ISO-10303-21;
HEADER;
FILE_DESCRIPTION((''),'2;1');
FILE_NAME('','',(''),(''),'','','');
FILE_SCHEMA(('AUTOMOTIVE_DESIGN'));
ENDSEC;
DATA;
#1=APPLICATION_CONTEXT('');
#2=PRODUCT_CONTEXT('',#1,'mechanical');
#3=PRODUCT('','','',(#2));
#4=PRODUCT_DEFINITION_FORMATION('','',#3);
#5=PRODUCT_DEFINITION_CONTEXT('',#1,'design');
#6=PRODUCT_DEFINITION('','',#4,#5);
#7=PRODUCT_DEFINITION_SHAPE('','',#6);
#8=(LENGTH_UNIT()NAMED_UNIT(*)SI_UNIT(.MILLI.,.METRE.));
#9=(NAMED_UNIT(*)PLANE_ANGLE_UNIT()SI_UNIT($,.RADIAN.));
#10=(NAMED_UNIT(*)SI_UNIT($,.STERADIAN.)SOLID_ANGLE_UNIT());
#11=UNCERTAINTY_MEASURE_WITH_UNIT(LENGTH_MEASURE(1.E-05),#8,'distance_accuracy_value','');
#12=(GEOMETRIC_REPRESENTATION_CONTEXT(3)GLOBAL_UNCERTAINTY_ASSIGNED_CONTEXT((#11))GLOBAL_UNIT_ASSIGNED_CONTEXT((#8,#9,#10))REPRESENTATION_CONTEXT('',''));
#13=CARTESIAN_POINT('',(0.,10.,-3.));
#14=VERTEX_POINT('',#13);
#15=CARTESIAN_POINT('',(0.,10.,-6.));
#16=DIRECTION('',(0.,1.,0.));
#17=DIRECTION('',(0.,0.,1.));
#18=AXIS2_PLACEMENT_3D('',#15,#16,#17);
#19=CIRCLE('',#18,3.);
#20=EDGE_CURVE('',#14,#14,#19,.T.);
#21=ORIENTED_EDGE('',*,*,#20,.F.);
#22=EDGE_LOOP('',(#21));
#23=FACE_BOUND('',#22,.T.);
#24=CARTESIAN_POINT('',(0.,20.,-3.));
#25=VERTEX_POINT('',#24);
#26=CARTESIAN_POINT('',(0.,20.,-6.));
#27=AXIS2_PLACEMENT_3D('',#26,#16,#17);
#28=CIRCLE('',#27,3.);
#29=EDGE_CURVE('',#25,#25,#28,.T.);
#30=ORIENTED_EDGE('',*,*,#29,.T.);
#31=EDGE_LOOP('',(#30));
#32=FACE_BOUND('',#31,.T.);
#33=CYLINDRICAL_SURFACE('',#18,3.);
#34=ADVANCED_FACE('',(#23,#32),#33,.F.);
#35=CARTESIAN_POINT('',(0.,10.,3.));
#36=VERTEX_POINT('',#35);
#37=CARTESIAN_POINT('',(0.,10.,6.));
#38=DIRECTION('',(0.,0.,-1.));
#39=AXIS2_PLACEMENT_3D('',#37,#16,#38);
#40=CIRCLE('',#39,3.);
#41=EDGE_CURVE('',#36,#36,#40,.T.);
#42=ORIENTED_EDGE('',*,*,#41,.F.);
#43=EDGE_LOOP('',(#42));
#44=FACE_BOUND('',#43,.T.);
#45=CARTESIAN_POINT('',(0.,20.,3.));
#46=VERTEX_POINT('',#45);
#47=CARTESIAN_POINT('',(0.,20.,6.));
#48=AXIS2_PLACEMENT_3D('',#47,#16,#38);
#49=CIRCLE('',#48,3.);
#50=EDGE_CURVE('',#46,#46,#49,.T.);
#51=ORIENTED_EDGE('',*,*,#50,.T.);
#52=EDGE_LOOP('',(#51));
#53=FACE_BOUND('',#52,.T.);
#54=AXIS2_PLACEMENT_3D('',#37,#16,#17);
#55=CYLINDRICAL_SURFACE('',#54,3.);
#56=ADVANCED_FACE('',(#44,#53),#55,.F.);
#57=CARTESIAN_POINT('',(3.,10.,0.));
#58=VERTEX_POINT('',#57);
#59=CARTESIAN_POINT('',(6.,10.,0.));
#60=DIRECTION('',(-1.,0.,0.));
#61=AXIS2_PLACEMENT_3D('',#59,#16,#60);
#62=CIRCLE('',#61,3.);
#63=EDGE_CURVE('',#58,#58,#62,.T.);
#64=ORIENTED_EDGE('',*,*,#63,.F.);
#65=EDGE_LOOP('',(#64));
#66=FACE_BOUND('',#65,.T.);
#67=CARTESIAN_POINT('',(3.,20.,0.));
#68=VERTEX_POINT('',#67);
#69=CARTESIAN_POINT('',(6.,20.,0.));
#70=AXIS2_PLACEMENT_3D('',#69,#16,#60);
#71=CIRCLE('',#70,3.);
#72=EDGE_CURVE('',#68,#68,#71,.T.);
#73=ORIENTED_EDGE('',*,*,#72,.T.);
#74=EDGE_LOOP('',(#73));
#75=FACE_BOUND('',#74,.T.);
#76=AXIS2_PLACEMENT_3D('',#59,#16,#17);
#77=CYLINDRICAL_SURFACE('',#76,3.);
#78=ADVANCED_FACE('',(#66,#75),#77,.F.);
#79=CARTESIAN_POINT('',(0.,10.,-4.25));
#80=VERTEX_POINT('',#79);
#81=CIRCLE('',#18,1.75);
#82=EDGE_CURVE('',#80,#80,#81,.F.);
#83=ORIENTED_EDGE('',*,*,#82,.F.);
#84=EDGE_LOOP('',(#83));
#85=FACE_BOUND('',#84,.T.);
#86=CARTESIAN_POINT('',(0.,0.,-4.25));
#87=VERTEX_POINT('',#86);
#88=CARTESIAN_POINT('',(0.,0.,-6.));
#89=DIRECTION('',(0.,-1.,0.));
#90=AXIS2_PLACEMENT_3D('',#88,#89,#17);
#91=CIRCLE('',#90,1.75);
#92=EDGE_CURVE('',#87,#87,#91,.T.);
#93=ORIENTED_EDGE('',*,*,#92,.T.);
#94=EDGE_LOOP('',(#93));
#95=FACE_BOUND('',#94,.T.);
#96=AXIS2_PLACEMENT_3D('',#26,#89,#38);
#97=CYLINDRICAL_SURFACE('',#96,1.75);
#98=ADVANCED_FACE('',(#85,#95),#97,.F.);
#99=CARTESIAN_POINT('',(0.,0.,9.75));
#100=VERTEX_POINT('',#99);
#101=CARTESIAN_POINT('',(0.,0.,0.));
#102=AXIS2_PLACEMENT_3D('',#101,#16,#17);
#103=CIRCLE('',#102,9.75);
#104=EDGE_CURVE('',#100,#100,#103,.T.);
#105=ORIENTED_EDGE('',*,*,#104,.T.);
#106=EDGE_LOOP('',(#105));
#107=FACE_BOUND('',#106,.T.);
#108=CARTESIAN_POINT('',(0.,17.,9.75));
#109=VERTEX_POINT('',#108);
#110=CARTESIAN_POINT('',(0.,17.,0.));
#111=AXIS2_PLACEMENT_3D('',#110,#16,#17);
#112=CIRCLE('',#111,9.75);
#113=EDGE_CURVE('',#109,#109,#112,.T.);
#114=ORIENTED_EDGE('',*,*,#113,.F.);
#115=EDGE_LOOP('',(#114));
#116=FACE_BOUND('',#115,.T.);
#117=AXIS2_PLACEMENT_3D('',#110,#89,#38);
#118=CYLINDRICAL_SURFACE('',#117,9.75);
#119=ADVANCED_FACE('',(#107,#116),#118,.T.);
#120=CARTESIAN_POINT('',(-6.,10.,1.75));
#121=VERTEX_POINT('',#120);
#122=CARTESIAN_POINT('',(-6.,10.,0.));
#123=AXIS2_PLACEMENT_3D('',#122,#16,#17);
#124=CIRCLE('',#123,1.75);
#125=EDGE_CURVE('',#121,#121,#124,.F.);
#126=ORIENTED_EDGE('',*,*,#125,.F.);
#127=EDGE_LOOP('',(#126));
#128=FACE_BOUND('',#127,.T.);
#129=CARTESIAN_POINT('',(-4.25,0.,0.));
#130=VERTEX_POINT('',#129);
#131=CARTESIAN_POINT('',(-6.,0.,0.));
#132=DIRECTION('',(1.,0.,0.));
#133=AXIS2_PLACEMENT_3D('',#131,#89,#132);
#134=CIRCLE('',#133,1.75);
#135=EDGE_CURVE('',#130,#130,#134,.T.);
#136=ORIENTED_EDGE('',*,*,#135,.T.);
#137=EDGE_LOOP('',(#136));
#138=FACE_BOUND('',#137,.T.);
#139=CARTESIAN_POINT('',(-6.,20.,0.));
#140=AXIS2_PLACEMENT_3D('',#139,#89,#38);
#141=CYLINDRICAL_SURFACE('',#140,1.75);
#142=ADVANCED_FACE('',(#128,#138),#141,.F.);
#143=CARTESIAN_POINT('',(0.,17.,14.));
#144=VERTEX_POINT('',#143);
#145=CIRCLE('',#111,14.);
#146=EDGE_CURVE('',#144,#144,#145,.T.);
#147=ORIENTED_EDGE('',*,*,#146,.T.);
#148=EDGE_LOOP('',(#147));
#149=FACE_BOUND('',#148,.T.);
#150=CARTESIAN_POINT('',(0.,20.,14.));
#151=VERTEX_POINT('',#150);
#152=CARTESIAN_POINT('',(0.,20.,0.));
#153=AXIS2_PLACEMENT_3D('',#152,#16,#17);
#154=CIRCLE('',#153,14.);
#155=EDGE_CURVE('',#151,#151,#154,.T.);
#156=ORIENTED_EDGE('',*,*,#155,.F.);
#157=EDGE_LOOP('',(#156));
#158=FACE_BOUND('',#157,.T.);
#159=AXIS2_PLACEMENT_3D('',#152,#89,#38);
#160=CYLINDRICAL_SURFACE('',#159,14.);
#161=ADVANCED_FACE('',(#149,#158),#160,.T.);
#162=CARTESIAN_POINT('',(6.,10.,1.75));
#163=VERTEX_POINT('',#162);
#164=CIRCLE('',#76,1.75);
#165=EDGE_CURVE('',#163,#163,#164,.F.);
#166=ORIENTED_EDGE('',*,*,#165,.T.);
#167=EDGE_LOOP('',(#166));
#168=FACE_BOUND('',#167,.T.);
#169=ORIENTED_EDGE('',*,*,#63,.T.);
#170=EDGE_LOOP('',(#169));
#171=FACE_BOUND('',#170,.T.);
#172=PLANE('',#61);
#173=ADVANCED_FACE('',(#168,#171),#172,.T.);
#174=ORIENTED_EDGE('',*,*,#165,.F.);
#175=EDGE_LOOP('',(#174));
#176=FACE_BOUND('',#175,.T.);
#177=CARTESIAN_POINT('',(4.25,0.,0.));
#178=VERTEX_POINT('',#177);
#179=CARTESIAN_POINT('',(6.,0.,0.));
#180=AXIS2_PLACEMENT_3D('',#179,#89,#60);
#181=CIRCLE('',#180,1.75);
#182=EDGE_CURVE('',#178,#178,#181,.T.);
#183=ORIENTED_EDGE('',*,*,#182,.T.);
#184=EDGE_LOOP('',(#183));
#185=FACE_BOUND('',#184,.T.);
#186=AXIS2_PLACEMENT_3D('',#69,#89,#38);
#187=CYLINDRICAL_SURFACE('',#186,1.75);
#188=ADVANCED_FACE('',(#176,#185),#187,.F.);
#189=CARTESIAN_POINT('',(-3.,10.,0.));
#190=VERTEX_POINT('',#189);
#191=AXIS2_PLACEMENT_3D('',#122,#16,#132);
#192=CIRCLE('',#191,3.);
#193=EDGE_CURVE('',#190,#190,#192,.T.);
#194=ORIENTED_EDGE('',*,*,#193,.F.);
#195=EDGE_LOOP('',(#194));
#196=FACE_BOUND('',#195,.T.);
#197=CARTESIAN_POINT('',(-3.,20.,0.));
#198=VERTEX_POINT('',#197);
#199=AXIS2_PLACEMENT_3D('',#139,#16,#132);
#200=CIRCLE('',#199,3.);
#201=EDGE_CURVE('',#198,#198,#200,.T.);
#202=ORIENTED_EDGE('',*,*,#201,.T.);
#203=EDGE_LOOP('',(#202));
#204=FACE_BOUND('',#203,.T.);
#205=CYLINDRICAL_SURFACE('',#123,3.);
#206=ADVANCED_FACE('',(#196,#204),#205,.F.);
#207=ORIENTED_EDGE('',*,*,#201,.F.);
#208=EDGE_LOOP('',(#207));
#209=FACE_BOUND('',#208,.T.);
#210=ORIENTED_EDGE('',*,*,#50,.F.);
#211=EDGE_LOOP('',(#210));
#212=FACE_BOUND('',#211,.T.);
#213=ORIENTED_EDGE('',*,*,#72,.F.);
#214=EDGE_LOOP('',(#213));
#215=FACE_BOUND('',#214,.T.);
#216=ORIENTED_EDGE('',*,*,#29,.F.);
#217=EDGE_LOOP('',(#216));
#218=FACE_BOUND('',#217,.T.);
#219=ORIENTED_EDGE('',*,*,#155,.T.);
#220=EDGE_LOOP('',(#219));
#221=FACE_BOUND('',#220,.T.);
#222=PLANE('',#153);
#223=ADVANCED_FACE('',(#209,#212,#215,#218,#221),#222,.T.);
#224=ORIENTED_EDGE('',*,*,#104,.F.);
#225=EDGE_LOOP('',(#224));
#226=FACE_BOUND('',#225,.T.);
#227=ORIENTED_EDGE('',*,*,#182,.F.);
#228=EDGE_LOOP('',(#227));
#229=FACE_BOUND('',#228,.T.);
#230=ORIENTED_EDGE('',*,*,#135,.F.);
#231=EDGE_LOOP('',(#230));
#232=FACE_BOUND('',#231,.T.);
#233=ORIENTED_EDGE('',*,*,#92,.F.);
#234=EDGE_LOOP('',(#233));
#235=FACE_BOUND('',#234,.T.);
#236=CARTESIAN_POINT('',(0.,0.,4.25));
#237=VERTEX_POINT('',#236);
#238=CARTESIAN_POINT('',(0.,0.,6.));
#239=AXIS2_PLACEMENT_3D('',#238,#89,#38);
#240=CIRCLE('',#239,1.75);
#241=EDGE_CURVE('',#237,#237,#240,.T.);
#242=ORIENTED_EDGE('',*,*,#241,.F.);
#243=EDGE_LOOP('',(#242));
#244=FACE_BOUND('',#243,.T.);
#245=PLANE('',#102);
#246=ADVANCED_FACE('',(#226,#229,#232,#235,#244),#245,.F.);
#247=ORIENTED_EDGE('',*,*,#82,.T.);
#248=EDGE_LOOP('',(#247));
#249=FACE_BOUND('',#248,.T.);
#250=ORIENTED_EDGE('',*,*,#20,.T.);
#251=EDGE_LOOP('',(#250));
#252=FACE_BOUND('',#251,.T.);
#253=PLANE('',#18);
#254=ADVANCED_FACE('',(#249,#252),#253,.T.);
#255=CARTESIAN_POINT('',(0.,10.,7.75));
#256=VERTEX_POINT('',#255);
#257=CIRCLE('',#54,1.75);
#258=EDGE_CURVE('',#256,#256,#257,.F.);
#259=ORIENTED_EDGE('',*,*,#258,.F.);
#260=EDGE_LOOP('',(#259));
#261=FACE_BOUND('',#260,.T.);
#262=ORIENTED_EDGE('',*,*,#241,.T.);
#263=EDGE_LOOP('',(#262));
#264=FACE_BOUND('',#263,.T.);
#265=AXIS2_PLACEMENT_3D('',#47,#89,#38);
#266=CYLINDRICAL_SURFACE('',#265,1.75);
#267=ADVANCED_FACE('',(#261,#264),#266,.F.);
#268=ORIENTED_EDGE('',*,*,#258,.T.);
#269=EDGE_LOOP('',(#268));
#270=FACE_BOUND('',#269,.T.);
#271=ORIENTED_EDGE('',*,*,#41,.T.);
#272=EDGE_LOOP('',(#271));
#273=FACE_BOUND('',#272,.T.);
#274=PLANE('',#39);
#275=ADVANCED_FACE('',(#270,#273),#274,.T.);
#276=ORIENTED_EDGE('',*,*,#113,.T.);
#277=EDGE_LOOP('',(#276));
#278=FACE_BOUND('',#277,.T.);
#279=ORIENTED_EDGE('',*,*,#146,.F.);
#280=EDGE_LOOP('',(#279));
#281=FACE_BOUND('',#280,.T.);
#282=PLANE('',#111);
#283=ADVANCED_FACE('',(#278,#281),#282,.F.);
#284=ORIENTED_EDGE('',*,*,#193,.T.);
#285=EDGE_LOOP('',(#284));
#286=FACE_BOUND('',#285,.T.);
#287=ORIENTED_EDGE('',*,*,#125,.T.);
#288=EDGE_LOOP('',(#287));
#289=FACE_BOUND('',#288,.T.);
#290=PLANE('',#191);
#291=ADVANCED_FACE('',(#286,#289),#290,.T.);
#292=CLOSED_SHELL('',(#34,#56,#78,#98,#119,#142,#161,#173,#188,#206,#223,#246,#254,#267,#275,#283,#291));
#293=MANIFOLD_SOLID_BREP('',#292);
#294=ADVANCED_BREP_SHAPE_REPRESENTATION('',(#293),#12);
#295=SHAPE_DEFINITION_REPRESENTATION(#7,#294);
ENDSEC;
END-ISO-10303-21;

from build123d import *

# Parameters (mm, degrees)
SKETCH1_R           = 9.75
BOSS_EXTRUDE1_DEPTH = 17
SKETCH2_R           = 14
BOSS_EXTRUDE2_DEPTH = 3
SKETCH3_R           = 1.75
CUT_EXTRUDE1_DEPTH  = 21
CIRPATTERN1_COUNT   = 4
SKETCH4_R           = 3
CUT_EXTRUDE2_DEPTH  = 10
CIRPATTERN2_COUNT   = 4


with BuildPart() as part:
    # Sketch1 → Boss-Extrude1 (new body)
    with BuildSketch(Plane(origin=(0, 0, 0), x_dir=(1, 0, 0), z_dir=(0, 1, 0))):
        Circle(SKETCH1_R)
    extrude(amount=BOSS_EXTRUDE1_DEPTH)

    # Sketch2 → Boss-Extrude2 (add)
    with BuildSketch(Plane(origin=(0, 17, 0), x_dir=(1, 0, 0), z_dir=(0, 1, 0))):
        Circle(SKETCH2_R)
    extrude(amount=BOSS_EXTRUDE2_DEPTH)

    # Sketch3 → Cut-Extrude1 (cut, through all)
    with BuildSketch(Plane.XZ):
        with Locations((0, 6)):
            Circle(SKETCH3_R)
    cut_extrude1 = extrude(amount=-CUT_EXTRUDE1_DEPTH, mode=Mode.SUBTRACT)

    # CirPattern1: Cut-Extrude1 ×4 about axis
    cirpattern1_axis = Axis((0, 0, 0), (0, 1, 0))
    for i in range(1, CIRPATTERN1_COUNT):
        add(cut_extrude1.rotate(cirpattern1_axis, i * 360 / CIRPATTERN1_COUNT), mode=Mode.SUBTRACT)

    # Sketch4 → Cut-Extrude2 (cut)
    with BuildSketch(Plane(origin=(0, 20, 0), x_dir=(1, 0, 0), z_dir=(0, 1, 0))):
        with Locations((0, 6)):
            Circle(SKETCH4_R)
    cut_extrude2 = extrude(amount=-CUT_EXTRUDE2_DEPTH, mode=Mode.SUBTRACT)

    # CirPattern2: Cut-Extrude2 ×4 about axis
    cirpattern2_axis = Axis((0, 0, 0), (0, 1, 0))
    for i in range(1, CIRPATTERN2_COUNT):
        add(cut_extrude2.rotate(cirpattern2_axis, i * 360 / CIRPATTERN2_COUNT), mode=Mode.SUBTRACT)


solid = part.part
